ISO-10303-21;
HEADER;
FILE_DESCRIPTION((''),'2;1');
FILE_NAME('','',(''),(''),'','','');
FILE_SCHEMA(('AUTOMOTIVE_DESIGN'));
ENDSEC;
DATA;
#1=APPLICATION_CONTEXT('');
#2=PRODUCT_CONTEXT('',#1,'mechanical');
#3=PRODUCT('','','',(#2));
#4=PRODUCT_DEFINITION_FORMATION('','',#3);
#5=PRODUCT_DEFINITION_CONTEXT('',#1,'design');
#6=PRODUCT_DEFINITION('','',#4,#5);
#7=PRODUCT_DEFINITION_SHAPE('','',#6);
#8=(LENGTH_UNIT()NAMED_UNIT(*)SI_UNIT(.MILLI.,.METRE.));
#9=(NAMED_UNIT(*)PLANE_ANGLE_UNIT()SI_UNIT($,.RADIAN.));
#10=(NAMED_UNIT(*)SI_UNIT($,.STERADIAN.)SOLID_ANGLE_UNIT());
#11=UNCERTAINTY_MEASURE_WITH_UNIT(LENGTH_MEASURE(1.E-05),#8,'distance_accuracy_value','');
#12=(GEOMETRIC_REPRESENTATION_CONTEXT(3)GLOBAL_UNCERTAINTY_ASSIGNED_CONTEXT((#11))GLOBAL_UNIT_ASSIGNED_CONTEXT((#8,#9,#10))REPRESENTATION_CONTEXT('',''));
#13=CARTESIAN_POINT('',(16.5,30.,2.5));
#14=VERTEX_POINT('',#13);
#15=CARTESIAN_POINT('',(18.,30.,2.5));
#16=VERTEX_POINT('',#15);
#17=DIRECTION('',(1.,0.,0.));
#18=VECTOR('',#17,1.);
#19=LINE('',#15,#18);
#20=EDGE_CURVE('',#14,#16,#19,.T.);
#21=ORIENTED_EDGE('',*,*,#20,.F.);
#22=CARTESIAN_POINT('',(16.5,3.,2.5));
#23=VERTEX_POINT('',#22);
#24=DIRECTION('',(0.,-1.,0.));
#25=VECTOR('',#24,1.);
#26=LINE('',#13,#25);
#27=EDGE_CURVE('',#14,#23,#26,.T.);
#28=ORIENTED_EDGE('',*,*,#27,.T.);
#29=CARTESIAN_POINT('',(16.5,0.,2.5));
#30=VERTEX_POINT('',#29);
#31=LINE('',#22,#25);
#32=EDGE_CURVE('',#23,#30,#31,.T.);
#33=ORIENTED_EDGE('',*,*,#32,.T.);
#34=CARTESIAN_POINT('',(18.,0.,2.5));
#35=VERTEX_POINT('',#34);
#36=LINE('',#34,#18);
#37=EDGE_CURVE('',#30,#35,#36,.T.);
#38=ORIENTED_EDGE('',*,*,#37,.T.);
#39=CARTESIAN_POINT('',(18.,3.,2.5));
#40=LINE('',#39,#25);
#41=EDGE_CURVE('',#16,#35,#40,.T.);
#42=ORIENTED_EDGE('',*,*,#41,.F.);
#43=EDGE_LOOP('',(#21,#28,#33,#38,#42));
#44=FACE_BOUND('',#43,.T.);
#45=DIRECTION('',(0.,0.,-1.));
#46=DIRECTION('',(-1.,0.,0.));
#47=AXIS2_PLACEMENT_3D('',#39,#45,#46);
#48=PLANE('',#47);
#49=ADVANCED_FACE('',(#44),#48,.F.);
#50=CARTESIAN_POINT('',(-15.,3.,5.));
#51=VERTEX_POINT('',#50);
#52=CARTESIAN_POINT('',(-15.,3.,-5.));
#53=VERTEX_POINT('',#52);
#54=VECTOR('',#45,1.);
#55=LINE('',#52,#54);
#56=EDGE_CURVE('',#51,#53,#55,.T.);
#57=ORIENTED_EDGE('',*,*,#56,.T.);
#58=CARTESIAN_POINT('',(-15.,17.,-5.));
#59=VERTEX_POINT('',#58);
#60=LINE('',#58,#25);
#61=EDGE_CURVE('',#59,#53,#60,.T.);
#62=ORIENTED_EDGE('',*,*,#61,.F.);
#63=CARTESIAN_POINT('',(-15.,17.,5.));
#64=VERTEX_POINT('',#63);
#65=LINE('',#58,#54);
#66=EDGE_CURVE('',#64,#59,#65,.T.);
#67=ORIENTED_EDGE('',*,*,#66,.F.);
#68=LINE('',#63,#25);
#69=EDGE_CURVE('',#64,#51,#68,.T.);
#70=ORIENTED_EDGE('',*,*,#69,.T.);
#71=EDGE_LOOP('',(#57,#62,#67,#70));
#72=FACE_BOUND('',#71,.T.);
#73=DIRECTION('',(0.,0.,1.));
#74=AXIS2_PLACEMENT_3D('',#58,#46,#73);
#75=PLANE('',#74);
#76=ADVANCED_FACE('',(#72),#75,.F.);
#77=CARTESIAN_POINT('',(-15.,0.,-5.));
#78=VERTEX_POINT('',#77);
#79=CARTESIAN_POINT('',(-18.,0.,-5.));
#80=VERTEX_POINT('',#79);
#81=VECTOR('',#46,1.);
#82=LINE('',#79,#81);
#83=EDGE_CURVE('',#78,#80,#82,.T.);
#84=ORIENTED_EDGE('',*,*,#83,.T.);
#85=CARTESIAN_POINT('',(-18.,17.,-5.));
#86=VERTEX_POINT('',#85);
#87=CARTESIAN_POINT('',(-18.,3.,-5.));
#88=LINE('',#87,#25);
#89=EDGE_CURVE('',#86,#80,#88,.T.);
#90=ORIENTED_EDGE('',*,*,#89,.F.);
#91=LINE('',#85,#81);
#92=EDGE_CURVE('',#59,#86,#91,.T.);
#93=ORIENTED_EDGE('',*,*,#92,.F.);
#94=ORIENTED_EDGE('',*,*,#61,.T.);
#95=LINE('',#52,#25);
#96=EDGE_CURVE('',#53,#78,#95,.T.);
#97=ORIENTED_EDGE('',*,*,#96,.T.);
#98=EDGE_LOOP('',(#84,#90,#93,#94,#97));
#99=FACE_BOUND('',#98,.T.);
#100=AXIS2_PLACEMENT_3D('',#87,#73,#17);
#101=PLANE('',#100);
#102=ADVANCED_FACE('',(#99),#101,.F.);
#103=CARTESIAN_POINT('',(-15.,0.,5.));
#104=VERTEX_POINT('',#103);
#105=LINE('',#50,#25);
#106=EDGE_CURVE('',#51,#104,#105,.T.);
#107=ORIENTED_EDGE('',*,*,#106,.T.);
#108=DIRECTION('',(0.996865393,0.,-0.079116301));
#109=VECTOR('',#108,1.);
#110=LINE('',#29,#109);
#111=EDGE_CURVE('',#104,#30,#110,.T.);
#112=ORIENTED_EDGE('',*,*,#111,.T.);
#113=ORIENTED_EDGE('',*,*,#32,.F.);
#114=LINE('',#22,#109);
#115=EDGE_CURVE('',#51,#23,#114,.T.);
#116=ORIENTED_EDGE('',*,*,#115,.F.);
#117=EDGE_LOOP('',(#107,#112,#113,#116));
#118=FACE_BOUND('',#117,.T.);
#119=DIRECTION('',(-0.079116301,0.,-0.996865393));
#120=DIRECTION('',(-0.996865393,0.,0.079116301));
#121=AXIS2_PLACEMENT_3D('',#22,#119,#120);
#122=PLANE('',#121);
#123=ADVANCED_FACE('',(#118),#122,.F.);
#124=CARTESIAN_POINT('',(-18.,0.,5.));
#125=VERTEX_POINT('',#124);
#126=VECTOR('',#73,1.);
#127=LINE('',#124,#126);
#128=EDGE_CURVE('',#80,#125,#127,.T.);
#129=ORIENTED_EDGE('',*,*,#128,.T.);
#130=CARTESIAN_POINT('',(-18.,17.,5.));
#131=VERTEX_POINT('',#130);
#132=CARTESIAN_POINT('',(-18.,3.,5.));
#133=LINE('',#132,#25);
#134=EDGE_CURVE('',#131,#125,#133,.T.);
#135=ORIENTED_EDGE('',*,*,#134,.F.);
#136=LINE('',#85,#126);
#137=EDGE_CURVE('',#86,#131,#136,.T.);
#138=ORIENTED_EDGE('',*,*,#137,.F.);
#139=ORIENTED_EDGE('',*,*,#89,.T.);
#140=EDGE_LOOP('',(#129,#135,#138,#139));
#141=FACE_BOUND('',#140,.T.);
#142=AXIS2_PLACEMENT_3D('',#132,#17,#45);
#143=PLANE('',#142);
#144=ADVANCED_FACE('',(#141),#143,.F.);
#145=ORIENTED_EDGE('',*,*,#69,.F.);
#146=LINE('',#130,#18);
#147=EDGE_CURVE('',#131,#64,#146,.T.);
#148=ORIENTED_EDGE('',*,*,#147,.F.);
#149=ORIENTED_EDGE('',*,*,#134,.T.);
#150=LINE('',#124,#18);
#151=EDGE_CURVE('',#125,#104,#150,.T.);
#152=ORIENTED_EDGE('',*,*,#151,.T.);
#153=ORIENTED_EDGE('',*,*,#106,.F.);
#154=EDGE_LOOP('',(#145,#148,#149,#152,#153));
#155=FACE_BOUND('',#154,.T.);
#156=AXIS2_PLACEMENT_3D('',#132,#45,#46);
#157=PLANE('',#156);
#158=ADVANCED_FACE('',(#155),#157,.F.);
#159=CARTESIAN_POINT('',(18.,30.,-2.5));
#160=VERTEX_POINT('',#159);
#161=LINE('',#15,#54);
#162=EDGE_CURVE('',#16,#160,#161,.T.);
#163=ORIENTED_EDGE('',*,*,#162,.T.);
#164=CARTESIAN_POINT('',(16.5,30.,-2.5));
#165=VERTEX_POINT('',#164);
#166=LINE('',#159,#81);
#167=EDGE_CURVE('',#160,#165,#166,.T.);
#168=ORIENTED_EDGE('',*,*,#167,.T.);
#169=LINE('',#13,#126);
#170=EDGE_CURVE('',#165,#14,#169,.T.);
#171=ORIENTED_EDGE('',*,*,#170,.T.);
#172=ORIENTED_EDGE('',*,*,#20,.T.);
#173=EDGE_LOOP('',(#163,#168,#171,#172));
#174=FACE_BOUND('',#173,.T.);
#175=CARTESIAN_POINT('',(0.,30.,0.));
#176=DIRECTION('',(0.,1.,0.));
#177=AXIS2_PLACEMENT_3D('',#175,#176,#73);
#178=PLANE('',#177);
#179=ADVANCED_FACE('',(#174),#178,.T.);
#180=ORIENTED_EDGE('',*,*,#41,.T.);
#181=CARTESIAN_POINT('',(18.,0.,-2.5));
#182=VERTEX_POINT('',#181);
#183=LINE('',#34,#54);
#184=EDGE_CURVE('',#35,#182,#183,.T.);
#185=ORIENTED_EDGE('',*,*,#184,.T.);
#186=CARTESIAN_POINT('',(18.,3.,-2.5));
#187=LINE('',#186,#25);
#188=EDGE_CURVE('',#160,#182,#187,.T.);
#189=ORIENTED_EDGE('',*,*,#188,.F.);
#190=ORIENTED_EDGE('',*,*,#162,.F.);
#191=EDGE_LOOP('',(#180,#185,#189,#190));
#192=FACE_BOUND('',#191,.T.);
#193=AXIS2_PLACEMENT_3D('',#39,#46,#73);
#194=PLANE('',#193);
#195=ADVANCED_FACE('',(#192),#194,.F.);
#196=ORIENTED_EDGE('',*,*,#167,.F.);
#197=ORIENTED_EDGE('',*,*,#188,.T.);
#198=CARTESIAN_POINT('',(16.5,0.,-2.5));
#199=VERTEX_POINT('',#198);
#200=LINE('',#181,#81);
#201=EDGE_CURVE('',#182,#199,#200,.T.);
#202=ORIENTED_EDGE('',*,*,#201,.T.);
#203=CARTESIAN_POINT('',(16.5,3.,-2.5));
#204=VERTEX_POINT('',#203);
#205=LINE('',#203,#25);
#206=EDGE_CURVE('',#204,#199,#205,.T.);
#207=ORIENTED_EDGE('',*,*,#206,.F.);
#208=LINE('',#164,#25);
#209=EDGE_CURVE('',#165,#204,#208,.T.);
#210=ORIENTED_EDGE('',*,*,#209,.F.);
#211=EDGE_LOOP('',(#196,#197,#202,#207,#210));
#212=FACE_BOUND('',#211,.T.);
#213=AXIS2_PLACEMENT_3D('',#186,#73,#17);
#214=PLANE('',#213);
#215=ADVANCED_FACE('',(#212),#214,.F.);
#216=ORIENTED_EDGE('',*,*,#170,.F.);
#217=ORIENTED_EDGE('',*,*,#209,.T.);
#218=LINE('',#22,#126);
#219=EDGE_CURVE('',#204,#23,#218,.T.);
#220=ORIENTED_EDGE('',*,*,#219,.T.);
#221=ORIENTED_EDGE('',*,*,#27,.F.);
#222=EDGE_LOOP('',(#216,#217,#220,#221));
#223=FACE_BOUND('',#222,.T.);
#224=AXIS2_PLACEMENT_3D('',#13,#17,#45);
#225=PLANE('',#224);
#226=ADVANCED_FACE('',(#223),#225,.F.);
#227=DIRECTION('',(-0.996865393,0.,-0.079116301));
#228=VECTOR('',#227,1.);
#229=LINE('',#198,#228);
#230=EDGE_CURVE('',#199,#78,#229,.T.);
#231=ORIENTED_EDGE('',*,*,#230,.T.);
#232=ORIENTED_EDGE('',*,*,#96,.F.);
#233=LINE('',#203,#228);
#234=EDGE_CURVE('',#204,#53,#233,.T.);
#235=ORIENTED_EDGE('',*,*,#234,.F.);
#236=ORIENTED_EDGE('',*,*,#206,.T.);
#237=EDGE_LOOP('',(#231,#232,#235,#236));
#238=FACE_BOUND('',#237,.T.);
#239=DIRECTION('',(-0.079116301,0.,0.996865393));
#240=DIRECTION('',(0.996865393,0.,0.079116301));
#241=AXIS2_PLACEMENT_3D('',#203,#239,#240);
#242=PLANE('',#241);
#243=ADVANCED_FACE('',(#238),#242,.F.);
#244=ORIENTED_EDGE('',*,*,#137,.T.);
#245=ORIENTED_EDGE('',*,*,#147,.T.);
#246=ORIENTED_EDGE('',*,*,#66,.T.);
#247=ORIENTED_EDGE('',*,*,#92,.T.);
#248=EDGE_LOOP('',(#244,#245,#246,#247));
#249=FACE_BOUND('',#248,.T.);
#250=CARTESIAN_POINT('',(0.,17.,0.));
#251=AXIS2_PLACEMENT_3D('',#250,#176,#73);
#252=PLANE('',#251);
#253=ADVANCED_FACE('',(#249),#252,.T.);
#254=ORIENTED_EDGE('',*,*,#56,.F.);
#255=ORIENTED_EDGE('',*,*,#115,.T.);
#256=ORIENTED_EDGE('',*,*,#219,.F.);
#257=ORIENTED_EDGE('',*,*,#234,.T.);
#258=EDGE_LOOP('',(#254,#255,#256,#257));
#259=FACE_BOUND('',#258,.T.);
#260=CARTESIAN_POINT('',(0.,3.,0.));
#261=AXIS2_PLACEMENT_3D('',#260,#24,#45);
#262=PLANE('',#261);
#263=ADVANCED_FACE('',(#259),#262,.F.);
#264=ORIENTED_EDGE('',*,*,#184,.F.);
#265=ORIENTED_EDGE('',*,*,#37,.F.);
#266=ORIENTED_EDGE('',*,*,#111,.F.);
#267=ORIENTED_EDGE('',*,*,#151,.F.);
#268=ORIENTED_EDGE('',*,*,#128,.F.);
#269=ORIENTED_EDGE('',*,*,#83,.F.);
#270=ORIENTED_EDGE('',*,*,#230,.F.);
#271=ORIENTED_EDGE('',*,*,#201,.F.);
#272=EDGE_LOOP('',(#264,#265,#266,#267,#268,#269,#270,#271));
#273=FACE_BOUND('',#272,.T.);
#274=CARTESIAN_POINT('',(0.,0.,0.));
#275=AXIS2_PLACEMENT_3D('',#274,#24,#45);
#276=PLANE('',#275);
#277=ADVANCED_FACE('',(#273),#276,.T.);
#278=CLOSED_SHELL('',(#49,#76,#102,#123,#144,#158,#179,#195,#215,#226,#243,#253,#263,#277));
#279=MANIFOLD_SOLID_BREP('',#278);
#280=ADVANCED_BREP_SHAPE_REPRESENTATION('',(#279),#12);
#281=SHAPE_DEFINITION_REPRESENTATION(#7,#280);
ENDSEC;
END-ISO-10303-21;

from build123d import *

# Parameters (mm, degrees)
BOSS_EXTRUDE1_DEPTH = 3
SKETCH2_W           = 3
SKETCH2_H           = 10
BOSS_EXTRUDE2_DEPTH = 14
SKETCH3_W           = 1.5
SKETCH3_H           = 5
BOSS_EXTRUDE3_DEPTH = 27


with BuildPart() as part:
    # Sketch1 → Boss-Extrude1 (new body)
    with BuildSketch(Plane(origin=(0, 0, 0), x_dir=(1, 0, 0), z_dir=(0, 1, 0))):
        Polygon((18, 2.5), (16.5, 2.5), (-15, 5), (-18, 5), (-18, -5), (-15, -5), (16.5, -2.5), (18, -2.5), align=None)
    extrude(amount=BOSS_EXTRUDE1_DEPTH)

    # Sketch2 → Boss-Extrude2 (add)
    with BuildSketch(Plane(origin=(0, 3, 0), x_dir=(1, 0, 0), z_dir=(0, 1, 0))):
        with Locations((-16.5, 0)):
            Rectangle(SKETCH2_W, SKETCH2_H)
    extrude(amount=BOSS_EXTRUDE2_DEPTH)

    # Sketch3 → Boss-Extrude3 (add)
    with BuildSketch(Plane(origin=(0, 3, 0), x_dir=(1, 0, 0), z_dir=(0, 1, 0))):
        with Locations((17.25, 0)):
            Rectangle(SKETCH3_W, SKETCH3_H)
    extrude(amount=BOSS_EXTRUDE3_DEPTH)


solid = part.part
